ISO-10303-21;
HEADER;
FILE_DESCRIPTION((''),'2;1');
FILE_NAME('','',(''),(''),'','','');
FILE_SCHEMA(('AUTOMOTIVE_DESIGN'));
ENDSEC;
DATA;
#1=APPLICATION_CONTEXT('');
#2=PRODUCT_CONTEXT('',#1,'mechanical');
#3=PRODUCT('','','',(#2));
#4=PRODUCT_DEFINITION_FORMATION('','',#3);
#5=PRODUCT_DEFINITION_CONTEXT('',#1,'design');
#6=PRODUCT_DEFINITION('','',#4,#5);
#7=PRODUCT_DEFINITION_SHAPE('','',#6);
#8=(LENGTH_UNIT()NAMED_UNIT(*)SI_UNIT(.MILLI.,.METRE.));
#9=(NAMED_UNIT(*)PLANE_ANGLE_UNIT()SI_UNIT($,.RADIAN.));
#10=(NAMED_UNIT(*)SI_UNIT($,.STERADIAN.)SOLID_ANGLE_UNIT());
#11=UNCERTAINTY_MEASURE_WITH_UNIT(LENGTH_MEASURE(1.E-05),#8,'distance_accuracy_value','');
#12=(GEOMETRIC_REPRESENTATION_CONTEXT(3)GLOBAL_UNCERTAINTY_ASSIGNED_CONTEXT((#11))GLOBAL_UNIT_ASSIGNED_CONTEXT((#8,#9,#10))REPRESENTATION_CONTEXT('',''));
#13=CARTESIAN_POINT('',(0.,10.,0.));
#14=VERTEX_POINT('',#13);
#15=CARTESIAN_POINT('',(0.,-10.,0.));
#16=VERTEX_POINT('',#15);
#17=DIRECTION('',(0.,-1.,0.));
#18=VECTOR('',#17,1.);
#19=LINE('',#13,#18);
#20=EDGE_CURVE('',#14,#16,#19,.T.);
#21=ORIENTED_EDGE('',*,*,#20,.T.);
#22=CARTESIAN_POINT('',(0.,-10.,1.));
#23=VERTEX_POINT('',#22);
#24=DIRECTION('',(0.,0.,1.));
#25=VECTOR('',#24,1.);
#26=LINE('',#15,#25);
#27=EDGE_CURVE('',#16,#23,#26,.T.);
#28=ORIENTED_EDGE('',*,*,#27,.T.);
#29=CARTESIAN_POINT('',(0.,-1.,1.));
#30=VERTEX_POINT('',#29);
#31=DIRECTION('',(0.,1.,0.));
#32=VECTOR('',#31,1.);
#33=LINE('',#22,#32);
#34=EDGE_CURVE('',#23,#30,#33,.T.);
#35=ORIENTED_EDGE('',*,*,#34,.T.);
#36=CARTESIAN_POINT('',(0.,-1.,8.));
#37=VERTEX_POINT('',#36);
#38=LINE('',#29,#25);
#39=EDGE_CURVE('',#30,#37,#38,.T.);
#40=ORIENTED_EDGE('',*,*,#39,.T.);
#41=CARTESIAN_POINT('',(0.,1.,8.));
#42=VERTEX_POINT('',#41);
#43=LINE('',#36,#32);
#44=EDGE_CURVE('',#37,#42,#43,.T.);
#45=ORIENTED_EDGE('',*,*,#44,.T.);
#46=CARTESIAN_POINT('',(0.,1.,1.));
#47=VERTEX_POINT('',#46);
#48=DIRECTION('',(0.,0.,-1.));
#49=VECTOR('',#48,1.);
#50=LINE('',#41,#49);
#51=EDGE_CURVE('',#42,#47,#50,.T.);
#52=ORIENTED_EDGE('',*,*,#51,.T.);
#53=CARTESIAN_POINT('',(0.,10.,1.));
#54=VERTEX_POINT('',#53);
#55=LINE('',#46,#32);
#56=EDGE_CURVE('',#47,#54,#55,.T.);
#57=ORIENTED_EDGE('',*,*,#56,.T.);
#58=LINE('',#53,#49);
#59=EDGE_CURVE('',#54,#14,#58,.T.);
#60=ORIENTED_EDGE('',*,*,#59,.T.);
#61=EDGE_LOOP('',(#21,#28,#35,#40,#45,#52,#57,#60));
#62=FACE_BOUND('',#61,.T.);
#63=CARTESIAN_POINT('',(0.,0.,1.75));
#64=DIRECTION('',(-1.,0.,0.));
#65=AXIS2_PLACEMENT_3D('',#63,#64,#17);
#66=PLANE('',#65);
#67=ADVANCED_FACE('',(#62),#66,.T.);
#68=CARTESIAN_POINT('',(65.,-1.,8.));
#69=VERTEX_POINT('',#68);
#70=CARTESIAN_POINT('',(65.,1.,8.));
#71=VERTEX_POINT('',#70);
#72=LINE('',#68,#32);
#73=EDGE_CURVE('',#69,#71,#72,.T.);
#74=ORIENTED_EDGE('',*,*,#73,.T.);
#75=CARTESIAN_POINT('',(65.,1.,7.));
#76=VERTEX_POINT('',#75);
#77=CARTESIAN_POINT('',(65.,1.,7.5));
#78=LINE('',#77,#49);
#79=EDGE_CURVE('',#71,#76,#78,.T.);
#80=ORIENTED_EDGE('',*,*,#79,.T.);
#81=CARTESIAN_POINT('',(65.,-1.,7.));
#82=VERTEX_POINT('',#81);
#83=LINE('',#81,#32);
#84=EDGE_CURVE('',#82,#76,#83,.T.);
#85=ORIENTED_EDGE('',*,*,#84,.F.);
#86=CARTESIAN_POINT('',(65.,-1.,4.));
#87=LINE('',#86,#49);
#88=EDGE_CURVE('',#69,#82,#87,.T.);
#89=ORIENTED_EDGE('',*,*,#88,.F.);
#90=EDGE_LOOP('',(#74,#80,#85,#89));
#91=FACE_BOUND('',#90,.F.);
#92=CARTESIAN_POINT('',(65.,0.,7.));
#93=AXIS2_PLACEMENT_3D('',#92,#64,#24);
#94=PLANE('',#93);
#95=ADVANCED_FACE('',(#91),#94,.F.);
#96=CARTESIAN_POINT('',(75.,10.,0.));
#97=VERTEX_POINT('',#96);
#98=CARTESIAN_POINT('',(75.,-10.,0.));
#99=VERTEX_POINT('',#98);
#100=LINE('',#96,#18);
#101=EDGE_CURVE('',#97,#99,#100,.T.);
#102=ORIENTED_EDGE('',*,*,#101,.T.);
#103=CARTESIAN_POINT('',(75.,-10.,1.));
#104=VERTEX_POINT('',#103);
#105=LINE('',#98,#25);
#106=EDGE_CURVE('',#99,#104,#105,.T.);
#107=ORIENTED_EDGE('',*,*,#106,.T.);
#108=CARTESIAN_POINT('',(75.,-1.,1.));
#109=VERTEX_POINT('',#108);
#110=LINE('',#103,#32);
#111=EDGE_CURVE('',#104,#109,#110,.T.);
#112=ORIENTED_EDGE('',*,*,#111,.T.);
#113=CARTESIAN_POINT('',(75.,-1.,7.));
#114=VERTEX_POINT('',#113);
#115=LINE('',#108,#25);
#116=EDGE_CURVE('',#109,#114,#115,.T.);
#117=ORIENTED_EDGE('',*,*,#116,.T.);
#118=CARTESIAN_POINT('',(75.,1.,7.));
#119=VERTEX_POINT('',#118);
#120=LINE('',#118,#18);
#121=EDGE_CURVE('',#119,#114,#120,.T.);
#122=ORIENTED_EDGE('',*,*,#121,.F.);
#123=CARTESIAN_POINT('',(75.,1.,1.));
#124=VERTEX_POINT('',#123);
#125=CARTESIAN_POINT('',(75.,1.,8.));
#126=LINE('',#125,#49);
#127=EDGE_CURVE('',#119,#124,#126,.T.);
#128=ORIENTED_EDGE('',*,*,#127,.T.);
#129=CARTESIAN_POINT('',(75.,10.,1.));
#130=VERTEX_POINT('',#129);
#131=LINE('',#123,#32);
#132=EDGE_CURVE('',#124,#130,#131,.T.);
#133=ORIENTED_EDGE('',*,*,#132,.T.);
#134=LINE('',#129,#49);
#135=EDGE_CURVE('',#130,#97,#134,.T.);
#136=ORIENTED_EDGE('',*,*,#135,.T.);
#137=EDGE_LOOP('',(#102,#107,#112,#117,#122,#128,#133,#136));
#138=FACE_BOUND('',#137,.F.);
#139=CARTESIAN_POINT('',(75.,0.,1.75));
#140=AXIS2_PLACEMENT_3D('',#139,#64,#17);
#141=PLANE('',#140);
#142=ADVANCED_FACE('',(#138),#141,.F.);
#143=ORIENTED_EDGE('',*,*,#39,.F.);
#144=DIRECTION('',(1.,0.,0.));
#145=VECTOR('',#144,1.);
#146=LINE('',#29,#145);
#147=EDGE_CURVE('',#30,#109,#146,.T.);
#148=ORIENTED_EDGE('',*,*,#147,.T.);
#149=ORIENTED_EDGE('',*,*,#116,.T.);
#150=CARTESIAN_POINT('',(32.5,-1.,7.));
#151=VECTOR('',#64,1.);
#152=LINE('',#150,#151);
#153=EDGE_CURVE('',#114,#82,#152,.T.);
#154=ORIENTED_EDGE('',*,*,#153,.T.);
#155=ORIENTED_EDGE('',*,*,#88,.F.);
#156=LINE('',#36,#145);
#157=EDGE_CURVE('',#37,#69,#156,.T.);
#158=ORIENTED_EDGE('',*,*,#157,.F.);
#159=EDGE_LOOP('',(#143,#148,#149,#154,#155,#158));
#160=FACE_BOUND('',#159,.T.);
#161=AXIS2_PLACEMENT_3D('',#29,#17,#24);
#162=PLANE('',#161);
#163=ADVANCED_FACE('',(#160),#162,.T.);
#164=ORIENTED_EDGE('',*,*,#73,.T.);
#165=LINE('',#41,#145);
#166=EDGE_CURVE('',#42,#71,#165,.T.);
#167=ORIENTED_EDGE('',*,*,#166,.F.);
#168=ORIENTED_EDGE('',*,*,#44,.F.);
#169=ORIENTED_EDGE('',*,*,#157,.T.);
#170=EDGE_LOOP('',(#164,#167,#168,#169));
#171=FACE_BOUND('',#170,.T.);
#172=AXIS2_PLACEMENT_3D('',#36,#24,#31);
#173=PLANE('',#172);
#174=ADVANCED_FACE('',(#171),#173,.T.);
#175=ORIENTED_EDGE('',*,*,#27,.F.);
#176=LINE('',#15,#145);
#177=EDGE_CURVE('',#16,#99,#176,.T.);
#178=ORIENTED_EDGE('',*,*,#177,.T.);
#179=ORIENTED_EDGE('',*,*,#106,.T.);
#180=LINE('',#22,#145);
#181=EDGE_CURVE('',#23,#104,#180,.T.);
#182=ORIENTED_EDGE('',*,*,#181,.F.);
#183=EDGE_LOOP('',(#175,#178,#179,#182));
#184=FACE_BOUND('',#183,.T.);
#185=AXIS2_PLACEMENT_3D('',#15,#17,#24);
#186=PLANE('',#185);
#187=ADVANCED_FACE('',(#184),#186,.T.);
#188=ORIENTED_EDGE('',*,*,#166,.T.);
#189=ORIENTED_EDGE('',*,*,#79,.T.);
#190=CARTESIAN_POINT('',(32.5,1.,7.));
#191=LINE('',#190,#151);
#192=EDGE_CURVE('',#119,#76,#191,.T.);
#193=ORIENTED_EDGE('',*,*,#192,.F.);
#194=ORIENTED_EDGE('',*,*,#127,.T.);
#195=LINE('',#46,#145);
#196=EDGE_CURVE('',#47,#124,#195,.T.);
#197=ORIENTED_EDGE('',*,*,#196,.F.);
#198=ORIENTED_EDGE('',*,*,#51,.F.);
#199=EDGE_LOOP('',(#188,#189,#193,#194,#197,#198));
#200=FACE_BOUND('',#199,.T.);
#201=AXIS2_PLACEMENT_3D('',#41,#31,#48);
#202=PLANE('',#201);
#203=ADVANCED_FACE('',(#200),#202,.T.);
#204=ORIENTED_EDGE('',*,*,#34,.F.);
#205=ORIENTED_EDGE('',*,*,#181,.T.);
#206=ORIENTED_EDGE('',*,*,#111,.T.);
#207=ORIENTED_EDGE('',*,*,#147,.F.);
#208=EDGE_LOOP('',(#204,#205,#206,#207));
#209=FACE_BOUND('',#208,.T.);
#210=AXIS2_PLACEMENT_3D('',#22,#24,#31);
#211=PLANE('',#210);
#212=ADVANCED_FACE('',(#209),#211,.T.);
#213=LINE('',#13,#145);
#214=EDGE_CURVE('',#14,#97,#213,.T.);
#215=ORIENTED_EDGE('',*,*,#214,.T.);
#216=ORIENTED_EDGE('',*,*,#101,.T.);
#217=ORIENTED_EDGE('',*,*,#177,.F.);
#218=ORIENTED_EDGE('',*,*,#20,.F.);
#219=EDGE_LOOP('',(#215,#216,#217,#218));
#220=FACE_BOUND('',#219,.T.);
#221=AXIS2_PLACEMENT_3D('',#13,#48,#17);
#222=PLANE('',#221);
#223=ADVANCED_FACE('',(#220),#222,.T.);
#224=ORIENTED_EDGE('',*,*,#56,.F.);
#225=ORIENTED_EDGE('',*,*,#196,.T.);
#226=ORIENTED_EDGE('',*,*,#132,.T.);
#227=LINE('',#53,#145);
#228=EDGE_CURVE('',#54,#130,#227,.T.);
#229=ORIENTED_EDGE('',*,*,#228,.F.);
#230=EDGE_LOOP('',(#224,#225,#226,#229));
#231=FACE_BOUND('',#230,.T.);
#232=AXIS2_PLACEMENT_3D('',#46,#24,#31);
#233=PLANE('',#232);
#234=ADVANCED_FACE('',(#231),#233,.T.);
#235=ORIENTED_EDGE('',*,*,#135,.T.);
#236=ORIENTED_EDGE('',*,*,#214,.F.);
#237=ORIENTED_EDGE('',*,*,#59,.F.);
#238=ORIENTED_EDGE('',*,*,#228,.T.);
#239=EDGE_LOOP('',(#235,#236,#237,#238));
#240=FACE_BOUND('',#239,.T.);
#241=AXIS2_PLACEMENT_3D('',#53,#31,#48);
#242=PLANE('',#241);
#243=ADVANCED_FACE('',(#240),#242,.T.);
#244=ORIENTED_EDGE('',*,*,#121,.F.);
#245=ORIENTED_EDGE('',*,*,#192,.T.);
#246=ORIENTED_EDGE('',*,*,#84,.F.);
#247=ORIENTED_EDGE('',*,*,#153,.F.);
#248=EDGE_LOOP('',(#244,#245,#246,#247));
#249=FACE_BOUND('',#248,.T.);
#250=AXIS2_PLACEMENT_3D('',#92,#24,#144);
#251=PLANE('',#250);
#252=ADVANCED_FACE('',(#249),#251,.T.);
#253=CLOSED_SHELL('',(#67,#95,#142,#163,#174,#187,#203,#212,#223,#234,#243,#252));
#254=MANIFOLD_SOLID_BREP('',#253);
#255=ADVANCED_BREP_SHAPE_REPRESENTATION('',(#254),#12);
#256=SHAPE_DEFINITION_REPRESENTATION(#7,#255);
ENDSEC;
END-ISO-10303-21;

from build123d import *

# Parameters (mm, degrees)
PAD_DEPTH         = 75
SKETCH001_W       = 10
SKETCH001_H       = 1
POCKET_DEPTH      = 10.001
POCKET_DEPTH_BACK = -10.001


with BuildPart() as part:
    # Sketch → Pad (new body)
    with BuildSketch(Plane.YZ):
        Polygon((-10, 1), (-1, 1), (-1, 8), (1, 8), (1, 1), (10, 1), (10, 0), (-10, 0), align=None)
    extrude(amount=PAD_DEPTH)

    # Sketch001 → Pocket (cut, two sides)
    with BuildSketch(Plane.XZ) as pocket_sk:
        with Locations((70, 7.5)):
            Rectangle(SKETCH001_W, SKETCH001_H)
    extrude(amount=-POCKET_DEPTH, mode=Mode.SUBTRACT)
    extrude(pocket_sk.sketch, amount=-POCKET_DEPTH_BACK, mode=Mode.SUBTRACT)


solid = part.part
